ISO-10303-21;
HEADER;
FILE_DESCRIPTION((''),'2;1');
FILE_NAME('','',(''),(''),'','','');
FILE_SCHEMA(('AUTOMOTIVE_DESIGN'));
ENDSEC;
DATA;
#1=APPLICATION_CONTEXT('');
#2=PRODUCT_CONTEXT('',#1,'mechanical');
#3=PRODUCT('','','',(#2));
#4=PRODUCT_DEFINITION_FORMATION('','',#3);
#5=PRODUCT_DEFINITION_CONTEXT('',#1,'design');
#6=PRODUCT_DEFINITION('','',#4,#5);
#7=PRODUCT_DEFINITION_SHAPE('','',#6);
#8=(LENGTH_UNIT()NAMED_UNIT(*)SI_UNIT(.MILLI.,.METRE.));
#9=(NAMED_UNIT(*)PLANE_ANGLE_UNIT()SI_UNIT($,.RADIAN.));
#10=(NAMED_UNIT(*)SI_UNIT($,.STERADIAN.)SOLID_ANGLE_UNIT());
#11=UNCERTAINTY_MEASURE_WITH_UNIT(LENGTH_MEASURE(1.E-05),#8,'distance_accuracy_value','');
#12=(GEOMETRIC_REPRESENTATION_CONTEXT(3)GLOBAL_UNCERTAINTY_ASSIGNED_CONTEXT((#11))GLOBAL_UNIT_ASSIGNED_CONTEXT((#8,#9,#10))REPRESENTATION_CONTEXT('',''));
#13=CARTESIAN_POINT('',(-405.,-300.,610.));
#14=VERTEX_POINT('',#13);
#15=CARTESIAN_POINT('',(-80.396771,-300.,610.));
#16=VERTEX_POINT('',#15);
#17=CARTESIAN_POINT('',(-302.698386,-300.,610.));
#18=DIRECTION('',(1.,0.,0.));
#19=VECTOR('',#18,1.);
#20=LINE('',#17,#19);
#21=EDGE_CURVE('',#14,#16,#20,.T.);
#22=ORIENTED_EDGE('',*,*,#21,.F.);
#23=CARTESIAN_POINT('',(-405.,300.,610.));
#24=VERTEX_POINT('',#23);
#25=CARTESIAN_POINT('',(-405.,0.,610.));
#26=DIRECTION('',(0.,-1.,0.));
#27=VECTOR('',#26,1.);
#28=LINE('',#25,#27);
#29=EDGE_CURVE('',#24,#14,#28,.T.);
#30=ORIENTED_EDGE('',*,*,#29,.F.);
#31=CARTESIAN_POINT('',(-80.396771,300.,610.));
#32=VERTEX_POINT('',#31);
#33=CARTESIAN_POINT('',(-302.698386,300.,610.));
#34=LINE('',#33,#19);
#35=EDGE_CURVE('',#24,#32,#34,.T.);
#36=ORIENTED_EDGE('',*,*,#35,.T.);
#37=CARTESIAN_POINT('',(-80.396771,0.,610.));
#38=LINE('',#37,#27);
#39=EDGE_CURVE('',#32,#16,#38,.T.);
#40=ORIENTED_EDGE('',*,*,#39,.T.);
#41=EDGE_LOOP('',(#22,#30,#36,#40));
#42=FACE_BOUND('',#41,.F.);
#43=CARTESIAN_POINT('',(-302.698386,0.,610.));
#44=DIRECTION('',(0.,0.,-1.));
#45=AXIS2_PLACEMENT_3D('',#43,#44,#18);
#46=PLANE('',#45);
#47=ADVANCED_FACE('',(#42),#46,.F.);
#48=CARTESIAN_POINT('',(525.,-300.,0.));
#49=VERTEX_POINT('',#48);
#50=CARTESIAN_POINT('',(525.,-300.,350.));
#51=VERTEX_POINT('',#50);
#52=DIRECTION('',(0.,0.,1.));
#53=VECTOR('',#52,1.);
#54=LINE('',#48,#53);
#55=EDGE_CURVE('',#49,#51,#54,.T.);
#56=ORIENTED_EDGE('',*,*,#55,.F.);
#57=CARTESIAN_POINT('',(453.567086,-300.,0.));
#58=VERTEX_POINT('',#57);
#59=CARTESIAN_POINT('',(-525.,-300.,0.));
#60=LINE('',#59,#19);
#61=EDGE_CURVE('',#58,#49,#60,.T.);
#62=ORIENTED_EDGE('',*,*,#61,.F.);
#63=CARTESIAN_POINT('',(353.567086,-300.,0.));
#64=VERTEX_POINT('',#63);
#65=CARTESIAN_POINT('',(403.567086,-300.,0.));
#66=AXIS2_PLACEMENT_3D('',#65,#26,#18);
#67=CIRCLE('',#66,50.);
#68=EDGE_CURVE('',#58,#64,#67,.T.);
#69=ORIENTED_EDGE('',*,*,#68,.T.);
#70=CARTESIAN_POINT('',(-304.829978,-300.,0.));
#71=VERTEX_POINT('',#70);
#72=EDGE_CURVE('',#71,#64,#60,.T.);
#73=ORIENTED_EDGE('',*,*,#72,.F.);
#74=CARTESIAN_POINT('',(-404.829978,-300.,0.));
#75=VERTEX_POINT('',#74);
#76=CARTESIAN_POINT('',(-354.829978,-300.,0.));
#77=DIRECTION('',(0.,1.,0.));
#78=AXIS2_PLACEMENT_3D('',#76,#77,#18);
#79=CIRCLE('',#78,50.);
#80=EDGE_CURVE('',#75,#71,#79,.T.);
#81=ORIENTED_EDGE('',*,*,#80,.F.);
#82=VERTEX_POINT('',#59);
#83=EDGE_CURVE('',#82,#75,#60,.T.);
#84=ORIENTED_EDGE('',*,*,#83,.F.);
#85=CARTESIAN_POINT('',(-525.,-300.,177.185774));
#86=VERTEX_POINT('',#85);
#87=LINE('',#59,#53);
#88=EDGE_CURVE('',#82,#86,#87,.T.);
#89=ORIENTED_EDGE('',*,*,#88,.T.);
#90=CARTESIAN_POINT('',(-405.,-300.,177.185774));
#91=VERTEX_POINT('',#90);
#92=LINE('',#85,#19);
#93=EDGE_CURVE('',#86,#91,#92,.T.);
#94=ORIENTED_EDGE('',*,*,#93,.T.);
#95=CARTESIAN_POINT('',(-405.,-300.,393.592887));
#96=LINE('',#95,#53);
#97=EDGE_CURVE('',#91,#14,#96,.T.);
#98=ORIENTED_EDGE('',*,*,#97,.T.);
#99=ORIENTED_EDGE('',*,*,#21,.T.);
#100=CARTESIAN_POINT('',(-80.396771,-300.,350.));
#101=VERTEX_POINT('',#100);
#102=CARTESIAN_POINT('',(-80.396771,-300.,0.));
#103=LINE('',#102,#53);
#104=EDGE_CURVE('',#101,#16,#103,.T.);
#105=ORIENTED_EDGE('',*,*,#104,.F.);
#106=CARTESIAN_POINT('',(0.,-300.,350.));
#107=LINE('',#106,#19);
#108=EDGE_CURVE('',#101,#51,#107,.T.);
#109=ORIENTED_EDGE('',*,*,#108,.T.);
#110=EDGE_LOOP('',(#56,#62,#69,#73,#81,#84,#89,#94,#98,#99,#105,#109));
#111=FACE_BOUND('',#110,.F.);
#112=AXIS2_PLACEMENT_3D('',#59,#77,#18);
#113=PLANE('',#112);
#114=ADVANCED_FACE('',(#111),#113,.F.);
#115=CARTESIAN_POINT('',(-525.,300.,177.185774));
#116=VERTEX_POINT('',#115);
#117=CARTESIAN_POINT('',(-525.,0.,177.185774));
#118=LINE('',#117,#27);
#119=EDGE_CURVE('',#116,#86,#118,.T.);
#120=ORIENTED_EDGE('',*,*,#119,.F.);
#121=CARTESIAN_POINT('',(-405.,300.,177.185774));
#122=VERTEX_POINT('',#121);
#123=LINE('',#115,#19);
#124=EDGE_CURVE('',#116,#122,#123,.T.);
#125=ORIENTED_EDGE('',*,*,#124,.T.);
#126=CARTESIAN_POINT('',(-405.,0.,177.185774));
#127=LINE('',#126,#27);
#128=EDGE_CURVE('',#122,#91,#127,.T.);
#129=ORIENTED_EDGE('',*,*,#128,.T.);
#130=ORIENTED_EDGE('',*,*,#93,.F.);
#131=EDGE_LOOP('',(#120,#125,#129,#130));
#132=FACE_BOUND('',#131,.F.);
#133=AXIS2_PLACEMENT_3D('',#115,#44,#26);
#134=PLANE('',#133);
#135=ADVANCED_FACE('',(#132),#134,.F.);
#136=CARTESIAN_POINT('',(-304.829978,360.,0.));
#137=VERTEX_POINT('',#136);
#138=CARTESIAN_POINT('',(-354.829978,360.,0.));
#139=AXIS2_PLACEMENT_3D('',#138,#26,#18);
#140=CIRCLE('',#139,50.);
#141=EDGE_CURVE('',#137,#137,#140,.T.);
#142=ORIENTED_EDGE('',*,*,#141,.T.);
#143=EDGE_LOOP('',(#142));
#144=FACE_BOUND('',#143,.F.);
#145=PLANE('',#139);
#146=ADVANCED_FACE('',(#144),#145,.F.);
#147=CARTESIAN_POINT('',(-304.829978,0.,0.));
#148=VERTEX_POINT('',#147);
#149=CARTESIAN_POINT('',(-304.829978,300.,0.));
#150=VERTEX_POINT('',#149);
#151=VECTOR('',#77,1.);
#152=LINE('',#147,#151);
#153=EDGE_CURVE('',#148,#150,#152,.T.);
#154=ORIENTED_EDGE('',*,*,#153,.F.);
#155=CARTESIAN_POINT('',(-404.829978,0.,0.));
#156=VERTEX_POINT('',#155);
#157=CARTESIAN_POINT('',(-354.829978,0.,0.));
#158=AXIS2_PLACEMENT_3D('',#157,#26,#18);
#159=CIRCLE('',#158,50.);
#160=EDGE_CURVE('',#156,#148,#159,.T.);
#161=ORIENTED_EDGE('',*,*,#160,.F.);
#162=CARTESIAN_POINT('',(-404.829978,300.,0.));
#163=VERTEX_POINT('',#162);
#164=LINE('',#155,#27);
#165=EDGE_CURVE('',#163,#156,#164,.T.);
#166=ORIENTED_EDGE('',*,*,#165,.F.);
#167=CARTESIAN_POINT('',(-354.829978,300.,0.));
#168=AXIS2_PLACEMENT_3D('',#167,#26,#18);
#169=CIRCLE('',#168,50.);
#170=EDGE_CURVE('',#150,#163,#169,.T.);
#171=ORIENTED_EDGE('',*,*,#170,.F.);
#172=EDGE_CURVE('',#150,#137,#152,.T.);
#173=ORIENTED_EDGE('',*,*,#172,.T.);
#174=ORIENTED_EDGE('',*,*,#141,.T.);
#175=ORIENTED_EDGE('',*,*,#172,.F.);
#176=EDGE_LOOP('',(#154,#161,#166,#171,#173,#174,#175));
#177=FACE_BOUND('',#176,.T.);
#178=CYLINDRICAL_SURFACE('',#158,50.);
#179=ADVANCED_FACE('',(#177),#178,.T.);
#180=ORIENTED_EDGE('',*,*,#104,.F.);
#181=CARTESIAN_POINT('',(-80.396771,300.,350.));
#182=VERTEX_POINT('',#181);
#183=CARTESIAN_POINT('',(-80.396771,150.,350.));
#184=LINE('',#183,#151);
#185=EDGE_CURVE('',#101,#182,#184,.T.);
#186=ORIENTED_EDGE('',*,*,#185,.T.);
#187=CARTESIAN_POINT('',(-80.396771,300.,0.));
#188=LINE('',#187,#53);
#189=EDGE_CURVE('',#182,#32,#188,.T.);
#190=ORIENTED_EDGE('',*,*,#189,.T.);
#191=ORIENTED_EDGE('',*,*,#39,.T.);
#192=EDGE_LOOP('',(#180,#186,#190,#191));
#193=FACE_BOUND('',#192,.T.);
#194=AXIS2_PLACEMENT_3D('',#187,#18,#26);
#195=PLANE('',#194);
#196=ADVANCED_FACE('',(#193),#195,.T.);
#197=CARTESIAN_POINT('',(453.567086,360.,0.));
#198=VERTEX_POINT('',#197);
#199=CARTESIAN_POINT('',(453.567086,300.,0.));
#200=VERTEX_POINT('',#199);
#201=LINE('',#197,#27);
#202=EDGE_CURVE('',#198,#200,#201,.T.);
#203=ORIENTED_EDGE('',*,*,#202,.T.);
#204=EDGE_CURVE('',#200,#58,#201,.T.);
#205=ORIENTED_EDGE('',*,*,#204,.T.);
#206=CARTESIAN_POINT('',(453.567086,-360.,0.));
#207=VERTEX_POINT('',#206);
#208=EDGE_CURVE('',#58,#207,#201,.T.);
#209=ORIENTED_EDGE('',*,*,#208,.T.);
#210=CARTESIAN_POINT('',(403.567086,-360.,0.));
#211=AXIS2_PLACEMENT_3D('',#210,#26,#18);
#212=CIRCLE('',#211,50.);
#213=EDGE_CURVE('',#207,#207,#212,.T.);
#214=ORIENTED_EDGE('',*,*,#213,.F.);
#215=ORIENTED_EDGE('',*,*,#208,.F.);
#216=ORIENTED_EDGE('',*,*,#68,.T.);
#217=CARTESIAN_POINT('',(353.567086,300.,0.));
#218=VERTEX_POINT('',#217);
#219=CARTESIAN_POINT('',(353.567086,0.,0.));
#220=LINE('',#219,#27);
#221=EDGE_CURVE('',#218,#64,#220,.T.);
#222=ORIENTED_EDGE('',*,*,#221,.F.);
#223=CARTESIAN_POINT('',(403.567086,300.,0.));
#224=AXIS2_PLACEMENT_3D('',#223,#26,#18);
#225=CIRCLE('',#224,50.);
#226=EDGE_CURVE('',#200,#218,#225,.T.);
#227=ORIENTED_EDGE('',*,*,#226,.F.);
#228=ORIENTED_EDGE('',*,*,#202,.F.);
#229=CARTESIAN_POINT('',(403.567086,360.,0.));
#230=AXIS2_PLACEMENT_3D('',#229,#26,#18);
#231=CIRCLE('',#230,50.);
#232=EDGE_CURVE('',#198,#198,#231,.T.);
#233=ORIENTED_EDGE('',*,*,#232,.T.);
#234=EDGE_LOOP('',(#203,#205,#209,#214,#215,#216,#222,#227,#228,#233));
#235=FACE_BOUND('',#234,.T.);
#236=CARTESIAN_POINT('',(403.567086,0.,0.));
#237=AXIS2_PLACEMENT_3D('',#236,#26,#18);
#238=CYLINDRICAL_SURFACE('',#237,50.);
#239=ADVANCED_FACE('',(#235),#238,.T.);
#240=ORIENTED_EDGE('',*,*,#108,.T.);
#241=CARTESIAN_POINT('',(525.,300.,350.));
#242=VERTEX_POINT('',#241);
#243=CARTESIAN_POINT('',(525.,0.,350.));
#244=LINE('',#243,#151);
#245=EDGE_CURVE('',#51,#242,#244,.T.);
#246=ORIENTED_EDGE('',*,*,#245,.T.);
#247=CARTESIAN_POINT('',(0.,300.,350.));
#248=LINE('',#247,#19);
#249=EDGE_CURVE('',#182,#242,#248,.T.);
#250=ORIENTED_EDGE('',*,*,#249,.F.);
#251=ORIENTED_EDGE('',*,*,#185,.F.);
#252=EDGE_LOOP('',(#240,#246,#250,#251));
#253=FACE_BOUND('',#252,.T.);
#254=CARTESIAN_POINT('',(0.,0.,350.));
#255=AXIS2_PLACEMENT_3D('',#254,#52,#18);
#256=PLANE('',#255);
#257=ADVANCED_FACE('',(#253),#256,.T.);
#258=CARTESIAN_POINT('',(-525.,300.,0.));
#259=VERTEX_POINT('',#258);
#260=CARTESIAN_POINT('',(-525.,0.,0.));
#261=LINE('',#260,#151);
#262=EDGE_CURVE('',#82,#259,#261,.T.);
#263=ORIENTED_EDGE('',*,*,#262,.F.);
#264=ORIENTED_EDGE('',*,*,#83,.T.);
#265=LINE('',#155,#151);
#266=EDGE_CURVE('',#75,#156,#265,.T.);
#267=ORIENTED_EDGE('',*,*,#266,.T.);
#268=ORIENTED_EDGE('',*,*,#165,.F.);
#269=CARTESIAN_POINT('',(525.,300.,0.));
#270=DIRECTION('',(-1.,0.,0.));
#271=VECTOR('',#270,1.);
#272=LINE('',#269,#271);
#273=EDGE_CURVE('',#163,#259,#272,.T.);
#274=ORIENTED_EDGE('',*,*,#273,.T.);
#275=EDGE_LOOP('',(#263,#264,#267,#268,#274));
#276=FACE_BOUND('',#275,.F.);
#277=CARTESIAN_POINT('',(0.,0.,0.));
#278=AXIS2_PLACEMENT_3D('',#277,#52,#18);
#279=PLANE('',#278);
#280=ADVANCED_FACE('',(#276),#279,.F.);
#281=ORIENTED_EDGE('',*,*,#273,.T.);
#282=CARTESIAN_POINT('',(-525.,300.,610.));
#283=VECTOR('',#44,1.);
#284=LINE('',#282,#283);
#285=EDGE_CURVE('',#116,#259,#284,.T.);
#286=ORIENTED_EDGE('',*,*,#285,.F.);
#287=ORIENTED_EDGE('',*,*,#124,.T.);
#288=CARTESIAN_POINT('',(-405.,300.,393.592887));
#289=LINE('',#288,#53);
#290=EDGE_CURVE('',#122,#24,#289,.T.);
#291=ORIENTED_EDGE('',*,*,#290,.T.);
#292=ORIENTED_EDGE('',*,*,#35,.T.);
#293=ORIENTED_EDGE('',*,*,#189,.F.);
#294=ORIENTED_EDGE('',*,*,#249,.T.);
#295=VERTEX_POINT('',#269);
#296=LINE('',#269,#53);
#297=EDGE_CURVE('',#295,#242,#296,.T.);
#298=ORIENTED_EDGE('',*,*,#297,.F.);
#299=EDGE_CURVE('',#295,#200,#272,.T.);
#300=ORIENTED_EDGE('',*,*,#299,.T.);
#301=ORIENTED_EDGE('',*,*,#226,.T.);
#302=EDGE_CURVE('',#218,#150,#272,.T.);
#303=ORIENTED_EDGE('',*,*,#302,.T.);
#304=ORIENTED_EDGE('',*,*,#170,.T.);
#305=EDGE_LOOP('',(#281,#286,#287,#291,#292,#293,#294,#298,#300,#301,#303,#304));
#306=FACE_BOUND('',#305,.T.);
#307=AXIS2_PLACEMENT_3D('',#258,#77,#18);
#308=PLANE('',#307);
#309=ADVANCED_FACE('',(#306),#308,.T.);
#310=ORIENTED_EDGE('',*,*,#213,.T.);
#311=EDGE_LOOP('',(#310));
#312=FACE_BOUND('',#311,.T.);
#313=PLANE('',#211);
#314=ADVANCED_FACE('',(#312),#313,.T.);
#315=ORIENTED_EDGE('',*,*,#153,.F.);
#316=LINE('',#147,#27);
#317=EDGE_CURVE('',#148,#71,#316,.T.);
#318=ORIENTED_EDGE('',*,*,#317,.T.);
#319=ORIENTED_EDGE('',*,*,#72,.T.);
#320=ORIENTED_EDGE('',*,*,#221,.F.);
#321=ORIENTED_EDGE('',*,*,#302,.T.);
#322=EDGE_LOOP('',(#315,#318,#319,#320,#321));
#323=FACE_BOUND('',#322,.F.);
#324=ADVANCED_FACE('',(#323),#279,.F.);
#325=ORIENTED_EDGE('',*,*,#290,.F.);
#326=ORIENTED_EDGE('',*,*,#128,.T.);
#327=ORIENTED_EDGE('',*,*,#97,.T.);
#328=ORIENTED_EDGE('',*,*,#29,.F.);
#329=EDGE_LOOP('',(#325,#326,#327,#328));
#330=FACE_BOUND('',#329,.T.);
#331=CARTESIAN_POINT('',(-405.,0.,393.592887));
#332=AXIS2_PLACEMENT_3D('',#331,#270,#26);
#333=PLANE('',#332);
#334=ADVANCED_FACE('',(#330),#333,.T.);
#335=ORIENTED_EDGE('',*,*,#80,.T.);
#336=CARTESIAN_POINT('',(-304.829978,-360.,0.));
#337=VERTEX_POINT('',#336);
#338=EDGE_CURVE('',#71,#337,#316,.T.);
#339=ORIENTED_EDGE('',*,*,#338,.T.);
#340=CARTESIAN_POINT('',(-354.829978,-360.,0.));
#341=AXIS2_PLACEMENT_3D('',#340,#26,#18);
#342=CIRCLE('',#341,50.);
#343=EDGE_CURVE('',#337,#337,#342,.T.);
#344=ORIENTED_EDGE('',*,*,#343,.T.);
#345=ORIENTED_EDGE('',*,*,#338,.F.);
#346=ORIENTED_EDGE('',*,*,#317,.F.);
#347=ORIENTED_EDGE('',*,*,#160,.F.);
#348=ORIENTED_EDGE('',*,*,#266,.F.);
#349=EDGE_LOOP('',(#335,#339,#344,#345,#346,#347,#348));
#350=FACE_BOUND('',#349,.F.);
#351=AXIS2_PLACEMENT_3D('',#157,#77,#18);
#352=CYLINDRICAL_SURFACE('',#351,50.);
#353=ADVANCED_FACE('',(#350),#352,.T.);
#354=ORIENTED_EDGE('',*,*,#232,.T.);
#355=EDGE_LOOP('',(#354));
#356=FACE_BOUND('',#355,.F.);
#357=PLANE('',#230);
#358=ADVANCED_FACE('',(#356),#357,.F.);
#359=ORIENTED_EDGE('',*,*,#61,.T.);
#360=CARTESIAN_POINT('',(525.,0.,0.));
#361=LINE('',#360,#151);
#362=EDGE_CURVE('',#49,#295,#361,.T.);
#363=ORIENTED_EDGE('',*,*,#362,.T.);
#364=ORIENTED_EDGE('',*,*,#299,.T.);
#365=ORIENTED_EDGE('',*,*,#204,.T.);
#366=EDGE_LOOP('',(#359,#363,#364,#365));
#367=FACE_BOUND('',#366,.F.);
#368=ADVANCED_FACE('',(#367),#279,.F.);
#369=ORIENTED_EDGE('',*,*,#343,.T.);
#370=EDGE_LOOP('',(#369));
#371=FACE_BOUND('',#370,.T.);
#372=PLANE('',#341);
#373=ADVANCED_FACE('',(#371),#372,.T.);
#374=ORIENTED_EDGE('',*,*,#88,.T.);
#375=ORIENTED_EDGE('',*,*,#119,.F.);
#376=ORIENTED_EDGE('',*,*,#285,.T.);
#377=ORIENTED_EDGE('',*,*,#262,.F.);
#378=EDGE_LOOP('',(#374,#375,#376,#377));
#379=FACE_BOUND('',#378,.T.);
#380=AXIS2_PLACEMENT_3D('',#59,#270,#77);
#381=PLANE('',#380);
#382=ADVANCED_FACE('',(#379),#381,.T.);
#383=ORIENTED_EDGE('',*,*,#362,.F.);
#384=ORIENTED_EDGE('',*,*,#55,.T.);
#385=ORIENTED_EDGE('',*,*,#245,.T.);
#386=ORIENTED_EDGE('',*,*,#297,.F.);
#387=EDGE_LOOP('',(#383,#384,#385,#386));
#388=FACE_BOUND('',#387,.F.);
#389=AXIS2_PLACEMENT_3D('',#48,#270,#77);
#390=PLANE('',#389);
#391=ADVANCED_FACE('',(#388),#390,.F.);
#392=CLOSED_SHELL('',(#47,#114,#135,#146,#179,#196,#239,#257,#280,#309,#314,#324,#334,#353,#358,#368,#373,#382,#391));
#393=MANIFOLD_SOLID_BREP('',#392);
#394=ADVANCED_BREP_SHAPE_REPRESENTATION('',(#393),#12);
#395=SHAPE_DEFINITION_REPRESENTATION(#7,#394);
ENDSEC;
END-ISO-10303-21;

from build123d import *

# Parameters (mm, degrees)
F0_W     = 1050
F0_H     = 600
F1_DEPTH = 350
F2_W     = 444.603228569
F2_H     = 600
F3_DEPTH = 610
F4_R     = 50
F5_DEPTH = 360
F6_W     = 600
F6_H     = 432.8142261505
F7_DEPTH = 120


with BuildPart() as f1:
    # F0 (on Top) → F1 (new body)
    with BuildSketch(Plane.XY):
        Rectangle(F0_W, F0_H)
    extrude(amount=F1_DEPTH)

    # F2 (on face) → F3 (join)
    with BuildSketch(Plane(origin=(0, 0, 0), x_dir=(1, 0, 0), z_dir=(0, 0, -1))):
        with Locations((-302.6983857155, 0)):
            Rectangle(F2_W, F2_H)
    extrude(amount=-F3_DEPTH)

    # F4 (on Front) → F5 (join, symmetric)
    with BuildSketch(Plane.XZ):
        with Locations((-354.8299782291, 0)):
            Circle(F4_R)
        with Locations((403.5670862999, 0)):
            Circle(F4_R)
    extrude(amount=F5_DEPTH, both=True)

    # F6 (on face) → F7 (cut)
    with BuildSketch(Plane(origin=(-525, 0, 0), x_dir=(0, -1, 0), z_dir=(-1, 0, 0))):
        with Locations((0, 393.5928869247)):
            Rectangle(F6_W, F6_H)
    extrude(amount=-F7_DEPTH, mode=Mode.SUBTRACT)


solid = f1.part
